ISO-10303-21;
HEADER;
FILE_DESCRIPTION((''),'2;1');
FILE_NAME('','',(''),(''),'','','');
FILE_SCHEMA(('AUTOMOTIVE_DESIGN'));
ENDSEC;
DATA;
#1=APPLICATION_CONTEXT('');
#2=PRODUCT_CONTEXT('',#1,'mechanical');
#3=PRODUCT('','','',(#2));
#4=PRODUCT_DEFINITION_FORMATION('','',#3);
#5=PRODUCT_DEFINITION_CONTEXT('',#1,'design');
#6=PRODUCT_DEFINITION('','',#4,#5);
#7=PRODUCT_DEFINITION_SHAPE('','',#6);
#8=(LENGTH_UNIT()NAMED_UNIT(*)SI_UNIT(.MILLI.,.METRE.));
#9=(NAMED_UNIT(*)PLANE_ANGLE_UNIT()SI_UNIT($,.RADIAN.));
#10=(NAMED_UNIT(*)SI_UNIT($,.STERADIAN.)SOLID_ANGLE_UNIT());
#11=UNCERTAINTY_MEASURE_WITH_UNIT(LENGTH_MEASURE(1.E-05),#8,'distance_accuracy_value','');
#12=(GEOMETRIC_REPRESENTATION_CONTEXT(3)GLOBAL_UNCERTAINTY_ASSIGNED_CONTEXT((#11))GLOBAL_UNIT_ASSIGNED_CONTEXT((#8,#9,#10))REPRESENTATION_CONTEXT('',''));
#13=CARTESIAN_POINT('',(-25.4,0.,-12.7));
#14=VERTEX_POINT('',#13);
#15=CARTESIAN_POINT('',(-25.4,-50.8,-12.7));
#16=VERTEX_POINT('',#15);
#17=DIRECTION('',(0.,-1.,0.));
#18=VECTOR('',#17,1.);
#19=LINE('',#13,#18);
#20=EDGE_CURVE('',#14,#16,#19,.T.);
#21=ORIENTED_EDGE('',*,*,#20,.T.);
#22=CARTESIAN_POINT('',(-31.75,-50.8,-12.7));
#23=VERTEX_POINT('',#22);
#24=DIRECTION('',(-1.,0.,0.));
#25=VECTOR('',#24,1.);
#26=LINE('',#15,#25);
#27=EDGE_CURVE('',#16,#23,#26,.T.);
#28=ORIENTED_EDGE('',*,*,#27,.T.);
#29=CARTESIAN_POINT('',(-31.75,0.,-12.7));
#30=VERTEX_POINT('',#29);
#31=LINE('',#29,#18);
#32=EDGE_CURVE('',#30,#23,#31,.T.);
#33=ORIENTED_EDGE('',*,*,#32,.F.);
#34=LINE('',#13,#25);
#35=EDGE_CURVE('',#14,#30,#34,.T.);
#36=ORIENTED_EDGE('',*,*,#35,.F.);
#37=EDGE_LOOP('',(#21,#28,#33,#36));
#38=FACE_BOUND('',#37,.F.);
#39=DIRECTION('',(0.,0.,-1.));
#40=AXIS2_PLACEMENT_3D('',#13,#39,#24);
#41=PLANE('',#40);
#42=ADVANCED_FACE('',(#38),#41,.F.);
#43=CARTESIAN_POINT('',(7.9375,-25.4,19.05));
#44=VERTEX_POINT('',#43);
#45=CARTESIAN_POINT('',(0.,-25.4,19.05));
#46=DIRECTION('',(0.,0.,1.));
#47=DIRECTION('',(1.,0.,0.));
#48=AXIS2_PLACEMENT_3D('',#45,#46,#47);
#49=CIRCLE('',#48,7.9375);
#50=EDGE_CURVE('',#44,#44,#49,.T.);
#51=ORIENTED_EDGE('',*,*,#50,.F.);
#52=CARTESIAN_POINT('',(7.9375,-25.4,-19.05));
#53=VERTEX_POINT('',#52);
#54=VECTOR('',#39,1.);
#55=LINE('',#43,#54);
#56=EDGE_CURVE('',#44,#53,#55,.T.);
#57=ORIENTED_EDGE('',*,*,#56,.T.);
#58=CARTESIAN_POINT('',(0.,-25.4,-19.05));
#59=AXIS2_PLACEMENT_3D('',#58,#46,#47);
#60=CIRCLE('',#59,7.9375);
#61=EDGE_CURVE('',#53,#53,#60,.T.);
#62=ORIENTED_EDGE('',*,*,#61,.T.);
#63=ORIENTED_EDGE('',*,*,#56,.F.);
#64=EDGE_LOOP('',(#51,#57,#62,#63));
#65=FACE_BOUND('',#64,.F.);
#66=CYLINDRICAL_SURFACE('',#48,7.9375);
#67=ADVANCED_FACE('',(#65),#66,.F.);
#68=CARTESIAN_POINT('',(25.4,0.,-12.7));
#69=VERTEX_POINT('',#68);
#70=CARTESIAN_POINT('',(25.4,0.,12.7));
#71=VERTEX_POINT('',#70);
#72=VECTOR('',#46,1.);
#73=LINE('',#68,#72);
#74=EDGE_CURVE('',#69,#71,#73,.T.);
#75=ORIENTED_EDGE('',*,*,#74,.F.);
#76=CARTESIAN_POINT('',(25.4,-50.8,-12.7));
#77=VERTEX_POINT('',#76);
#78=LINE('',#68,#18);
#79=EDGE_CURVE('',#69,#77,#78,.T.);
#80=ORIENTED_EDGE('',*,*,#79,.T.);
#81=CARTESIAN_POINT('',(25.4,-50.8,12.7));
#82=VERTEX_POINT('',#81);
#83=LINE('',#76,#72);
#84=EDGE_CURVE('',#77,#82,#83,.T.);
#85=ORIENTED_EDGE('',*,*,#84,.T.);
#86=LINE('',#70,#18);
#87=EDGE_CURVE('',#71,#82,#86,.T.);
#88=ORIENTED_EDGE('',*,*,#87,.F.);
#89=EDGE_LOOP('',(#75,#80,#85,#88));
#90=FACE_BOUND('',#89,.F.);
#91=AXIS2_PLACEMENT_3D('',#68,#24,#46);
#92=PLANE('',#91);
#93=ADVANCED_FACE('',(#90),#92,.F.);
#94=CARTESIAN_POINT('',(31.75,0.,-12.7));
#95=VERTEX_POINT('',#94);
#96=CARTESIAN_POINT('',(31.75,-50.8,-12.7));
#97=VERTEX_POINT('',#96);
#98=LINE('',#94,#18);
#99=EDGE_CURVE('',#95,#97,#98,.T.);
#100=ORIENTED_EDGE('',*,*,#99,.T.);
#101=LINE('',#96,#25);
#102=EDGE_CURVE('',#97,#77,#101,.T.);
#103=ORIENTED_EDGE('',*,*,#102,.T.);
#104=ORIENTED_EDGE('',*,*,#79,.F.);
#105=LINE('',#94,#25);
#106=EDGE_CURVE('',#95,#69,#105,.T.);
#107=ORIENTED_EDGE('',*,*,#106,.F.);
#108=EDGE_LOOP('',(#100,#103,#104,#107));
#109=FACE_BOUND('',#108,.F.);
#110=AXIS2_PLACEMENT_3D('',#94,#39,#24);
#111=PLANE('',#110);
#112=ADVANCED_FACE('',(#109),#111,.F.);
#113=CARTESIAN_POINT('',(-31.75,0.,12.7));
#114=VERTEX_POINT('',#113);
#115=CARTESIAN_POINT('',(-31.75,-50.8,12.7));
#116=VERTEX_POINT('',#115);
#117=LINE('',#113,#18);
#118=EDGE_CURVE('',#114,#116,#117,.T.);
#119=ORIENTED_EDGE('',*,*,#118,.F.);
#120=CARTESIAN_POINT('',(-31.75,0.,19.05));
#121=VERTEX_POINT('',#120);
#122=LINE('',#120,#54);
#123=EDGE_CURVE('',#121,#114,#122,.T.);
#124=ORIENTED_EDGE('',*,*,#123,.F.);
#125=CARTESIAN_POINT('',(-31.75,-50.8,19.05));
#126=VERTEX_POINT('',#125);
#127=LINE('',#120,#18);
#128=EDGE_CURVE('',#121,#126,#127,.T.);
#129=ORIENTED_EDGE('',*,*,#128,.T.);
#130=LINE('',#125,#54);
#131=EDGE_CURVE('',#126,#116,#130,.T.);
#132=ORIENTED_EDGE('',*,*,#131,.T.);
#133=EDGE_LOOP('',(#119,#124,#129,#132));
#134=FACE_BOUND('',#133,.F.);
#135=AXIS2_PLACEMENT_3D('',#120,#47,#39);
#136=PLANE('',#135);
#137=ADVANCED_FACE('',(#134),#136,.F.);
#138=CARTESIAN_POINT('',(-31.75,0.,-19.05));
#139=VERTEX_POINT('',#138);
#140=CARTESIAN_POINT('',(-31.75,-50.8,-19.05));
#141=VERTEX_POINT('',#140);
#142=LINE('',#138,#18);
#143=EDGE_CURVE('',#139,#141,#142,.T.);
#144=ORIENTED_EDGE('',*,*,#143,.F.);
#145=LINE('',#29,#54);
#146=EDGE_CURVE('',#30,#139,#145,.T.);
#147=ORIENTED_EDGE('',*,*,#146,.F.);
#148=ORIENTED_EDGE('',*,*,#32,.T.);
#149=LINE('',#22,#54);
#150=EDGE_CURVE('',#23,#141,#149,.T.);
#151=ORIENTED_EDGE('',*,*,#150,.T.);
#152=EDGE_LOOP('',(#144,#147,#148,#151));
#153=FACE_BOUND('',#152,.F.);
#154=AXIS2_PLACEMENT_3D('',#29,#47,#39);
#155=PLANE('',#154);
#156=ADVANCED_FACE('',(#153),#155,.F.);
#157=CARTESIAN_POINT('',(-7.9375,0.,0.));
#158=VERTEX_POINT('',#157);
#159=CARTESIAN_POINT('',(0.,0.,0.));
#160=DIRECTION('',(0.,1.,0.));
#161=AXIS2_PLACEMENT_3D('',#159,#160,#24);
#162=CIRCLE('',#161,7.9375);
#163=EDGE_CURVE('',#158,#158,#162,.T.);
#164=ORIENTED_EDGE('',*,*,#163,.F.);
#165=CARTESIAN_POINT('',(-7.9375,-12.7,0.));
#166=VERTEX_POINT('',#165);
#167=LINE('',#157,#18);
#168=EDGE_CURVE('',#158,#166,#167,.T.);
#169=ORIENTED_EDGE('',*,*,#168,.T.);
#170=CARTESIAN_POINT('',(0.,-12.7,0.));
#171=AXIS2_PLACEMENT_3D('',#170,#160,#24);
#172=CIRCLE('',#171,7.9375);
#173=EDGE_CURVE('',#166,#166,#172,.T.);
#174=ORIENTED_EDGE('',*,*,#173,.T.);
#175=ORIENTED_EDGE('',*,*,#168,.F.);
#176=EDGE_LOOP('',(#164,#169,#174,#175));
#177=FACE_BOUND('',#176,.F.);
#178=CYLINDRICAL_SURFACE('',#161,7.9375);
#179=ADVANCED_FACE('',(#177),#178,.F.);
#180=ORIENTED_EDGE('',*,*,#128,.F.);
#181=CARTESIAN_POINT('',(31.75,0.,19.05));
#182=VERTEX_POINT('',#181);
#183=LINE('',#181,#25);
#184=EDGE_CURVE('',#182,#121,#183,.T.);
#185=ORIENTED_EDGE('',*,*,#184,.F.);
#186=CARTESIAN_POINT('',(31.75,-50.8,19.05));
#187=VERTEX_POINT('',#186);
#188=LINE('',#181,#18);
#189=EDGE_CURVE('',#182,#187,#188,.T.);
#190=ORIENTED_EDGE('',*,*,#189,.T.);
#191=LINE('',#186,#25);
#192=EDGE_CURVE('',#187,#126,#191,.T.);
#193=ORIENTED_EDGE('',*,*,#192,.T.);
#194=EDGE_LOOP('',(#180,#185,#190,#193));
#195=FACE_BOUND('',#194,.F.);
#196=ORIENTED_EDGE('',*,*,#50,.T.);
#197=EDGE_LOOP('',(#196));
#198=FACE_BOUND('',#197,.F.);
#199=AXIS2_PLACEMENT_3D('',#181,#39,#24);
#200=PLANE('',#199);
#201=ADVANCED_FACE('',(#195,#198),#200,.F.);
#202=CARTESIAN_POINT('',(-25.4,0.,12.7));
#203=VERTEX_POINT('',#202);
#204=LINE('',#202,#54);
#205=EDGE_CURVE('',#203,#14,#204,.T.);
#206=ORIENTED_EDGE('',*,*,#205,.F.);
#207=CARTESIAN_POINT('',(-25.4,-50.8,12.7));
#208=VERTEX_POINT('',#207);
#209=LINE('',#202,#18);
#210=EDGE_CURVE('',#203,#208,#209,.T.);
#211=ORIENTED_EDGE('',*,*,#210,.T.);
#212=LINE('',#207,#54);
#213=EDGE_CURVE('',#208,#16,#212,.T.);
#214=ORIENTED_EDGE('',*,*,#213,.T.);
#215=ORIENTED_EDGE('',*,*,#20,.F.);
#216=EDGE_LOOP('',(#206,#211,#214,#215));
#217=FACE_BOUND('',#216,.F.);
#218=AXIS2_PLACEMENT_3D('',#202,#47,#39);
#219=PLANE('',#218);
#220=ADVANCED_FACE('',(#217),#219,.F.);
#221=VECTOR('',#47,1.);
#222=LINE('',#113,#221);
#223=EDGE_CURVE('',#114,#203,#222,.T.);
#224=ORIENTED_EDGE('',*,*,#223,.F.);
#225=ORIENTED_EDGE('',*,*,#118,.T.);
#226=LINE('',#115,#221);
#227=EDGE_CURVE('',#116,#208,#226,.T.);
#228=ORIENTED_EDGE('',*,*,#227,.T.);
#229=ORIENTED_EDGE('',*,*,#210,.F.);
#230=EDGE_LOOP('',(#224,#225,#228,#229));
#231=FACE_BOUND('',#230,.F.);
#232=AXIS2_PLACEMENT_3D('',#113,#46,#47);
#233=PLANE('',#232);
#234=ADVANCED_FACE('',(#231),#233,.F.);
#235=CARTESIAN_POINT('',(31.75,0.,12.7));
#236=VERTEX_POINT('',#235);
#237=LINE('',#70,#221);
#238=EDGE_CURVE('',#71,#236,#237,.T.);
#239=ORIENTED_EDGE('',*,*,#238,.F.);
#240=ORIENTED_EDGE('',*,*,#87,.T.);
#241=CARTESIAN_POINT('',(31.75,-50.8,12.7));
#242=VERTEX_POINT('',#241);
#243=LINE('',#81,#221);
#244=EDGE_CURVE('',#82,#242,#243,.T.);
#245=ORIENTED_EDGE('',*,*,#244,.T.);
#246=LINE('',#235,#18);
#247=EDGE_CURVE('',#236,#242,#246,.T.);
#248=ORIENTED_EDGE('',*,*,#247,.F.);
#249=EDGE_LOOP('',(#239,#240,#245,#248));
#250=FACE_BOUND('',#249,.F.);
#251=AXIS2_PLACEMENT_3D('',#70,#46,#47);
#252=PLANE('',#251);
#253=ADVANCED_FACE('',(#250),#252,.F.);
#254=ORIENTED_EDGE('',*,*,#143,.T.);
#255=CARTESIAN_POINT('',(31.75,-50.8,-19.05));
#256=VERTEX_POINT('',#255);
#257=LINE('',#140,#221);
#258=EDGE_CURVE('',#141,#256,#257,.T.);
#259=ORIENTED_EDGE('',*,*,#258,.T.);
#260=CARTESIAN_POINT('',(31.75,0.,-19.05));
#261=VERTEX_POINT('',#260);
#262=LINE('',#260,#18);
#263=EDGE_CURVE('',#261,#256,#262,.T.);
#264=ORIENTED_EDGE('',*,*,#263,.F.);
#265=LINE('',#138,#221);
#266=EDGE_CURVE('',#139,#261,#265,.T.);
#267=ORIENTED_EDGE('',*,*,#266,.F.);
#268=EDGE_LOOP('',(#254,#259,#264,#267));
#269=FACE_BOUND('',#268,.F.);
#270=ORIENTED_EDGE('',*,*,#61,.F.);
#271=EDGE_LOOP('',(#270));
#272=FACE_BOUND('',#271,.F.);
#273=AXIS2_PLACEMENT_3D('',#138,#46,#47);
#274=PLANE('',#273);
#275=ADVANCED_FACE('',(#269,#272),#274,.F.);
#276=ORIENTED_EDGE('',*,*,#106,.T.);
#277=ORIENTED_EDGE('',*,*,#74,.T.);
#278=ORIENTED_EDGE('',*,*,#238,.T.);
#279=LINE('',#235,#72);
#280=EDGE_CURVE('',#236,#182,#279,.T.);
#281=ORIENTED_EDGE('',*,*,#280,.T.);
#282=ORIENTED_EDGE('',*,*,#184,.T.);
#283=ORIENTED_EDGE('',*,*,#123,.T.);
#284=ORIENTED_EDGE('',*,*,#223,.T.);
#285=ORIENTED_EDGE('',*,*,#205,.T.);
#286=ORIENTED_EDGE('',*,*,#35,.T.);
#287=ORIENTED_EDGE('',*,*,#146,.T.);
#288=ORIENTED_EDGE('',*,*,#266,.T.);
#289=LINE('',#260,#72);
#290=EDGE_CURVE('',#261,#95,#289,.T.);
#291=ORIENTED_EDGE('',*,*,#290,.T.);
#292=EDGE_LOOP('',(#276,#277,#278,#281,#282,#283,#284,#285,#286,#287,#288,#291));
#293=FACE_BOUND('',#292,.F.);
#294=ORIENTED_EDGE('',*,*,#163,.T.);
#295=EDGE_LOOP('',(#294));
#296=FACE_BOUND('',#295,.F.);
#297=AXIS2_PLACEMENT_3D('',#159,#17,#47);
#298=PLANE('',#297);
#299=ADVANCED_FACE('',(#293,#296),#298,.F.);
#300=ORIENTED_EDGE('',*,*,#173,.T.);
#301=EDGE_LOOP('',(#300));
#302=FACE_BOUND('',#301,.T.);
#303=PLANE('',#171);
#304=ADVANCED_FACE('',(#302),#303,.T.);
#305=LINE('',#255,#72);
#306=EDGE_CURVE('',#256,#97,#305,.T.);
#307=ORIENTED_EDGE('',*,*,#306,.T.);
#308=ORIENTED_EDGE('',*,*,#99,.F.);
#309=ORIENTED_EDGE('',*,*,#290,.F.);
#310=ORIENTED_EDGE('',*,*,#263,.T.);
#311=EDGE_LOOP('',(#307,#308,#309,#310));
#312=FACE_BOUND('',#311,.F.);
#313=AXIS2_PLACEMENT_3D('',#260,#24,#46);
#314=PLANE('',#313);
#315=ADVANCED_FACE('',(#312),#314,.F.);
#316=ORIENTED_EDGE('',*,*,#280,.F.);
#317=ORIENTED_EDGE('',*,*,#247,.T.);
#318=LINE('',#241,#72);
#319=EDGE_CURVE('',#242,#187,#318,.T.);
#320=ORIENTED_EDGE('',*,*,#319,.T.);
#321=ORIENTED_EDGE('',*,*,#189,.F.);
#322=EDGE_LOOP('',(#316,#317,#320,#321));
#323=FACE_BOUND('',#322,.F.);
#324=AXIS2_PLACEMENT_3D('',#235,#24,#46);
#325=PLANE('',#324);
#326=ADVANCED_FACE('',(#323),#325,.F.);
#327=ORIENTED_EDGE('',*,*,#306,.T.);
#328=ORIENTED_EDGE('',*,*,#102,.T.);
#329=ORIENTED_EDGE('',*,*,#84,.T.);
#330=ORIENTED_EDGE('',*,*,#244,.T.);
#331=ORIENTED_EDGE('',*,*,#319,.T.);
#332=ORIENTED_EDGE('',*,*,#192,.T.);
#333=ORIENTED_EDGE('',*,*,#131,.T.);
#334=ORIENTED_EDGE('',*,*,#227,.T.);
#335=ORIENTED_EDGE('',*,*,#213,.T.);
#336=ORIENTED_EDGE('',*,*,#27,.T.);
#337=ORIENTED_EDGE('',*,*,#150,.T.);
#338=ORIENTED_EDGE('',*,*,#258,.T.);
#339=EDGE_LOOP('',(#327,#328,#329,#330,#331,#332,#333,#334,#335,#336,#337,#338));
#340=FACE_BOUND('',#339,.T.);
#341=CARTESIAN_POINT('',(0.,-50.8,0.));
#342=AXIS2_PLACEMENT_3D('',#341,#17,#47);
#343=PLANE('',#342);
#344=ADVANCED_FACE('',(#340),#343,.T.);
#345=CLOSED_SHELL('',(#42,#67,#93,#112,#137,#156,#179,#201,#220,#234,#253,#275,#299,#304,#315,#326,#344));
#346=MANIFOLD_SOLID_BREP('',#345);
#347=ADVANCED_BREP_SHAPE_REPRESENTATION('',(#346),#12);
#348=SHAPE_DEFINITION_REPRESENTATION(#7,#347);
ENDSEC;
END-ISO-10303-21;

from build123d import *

# Parameters (mm, degrees)
F1_DEPTH = 50.8
F2_R     = 7.9375
F3_DEPTH = 38.101
F4_R     = 7.9375
F5_DEPTH = 12.7


with BuildPart() as f1:
    # F0 (on Front) → F1 (new body)
    with BuildSketch(Plane.XZ):
        Polygon((-31.75, -19.05), (31.75, -19.05), (31.75, -12.7), (25.4, -12.7), (25.4, 12.7), (31.75, 12.7), (31.75, 19.05), (-31.75, 19.05), (-31.75, 12.7), (-25.4, 12.7), (-25.4, -12.7), (-31.75, -12.7), align=None)
    extrude(amount=F1_DEPTH)

    # F2 (on face) → F3 (cut, through all)
    with BuildSketch(Plane.XY.offset(19.05)):
        with Locations((0, -25.4)):
            Circle(F2_R)
    extrude(amount=-F3_DEPTH, mode=Mode.SUBTRACT)

    # F4 (on face) → F5 (cut)
    with BuildSketch(Plane(origin=(0, 0, 0), x_dir=(-1, 0, 0), z_dir=(0, 1, 0))):
        Circle(F4_R)
    extrude(amount=-F5_DEPTH, mode=Mode.SUBTRACT)


solid = f1.part
